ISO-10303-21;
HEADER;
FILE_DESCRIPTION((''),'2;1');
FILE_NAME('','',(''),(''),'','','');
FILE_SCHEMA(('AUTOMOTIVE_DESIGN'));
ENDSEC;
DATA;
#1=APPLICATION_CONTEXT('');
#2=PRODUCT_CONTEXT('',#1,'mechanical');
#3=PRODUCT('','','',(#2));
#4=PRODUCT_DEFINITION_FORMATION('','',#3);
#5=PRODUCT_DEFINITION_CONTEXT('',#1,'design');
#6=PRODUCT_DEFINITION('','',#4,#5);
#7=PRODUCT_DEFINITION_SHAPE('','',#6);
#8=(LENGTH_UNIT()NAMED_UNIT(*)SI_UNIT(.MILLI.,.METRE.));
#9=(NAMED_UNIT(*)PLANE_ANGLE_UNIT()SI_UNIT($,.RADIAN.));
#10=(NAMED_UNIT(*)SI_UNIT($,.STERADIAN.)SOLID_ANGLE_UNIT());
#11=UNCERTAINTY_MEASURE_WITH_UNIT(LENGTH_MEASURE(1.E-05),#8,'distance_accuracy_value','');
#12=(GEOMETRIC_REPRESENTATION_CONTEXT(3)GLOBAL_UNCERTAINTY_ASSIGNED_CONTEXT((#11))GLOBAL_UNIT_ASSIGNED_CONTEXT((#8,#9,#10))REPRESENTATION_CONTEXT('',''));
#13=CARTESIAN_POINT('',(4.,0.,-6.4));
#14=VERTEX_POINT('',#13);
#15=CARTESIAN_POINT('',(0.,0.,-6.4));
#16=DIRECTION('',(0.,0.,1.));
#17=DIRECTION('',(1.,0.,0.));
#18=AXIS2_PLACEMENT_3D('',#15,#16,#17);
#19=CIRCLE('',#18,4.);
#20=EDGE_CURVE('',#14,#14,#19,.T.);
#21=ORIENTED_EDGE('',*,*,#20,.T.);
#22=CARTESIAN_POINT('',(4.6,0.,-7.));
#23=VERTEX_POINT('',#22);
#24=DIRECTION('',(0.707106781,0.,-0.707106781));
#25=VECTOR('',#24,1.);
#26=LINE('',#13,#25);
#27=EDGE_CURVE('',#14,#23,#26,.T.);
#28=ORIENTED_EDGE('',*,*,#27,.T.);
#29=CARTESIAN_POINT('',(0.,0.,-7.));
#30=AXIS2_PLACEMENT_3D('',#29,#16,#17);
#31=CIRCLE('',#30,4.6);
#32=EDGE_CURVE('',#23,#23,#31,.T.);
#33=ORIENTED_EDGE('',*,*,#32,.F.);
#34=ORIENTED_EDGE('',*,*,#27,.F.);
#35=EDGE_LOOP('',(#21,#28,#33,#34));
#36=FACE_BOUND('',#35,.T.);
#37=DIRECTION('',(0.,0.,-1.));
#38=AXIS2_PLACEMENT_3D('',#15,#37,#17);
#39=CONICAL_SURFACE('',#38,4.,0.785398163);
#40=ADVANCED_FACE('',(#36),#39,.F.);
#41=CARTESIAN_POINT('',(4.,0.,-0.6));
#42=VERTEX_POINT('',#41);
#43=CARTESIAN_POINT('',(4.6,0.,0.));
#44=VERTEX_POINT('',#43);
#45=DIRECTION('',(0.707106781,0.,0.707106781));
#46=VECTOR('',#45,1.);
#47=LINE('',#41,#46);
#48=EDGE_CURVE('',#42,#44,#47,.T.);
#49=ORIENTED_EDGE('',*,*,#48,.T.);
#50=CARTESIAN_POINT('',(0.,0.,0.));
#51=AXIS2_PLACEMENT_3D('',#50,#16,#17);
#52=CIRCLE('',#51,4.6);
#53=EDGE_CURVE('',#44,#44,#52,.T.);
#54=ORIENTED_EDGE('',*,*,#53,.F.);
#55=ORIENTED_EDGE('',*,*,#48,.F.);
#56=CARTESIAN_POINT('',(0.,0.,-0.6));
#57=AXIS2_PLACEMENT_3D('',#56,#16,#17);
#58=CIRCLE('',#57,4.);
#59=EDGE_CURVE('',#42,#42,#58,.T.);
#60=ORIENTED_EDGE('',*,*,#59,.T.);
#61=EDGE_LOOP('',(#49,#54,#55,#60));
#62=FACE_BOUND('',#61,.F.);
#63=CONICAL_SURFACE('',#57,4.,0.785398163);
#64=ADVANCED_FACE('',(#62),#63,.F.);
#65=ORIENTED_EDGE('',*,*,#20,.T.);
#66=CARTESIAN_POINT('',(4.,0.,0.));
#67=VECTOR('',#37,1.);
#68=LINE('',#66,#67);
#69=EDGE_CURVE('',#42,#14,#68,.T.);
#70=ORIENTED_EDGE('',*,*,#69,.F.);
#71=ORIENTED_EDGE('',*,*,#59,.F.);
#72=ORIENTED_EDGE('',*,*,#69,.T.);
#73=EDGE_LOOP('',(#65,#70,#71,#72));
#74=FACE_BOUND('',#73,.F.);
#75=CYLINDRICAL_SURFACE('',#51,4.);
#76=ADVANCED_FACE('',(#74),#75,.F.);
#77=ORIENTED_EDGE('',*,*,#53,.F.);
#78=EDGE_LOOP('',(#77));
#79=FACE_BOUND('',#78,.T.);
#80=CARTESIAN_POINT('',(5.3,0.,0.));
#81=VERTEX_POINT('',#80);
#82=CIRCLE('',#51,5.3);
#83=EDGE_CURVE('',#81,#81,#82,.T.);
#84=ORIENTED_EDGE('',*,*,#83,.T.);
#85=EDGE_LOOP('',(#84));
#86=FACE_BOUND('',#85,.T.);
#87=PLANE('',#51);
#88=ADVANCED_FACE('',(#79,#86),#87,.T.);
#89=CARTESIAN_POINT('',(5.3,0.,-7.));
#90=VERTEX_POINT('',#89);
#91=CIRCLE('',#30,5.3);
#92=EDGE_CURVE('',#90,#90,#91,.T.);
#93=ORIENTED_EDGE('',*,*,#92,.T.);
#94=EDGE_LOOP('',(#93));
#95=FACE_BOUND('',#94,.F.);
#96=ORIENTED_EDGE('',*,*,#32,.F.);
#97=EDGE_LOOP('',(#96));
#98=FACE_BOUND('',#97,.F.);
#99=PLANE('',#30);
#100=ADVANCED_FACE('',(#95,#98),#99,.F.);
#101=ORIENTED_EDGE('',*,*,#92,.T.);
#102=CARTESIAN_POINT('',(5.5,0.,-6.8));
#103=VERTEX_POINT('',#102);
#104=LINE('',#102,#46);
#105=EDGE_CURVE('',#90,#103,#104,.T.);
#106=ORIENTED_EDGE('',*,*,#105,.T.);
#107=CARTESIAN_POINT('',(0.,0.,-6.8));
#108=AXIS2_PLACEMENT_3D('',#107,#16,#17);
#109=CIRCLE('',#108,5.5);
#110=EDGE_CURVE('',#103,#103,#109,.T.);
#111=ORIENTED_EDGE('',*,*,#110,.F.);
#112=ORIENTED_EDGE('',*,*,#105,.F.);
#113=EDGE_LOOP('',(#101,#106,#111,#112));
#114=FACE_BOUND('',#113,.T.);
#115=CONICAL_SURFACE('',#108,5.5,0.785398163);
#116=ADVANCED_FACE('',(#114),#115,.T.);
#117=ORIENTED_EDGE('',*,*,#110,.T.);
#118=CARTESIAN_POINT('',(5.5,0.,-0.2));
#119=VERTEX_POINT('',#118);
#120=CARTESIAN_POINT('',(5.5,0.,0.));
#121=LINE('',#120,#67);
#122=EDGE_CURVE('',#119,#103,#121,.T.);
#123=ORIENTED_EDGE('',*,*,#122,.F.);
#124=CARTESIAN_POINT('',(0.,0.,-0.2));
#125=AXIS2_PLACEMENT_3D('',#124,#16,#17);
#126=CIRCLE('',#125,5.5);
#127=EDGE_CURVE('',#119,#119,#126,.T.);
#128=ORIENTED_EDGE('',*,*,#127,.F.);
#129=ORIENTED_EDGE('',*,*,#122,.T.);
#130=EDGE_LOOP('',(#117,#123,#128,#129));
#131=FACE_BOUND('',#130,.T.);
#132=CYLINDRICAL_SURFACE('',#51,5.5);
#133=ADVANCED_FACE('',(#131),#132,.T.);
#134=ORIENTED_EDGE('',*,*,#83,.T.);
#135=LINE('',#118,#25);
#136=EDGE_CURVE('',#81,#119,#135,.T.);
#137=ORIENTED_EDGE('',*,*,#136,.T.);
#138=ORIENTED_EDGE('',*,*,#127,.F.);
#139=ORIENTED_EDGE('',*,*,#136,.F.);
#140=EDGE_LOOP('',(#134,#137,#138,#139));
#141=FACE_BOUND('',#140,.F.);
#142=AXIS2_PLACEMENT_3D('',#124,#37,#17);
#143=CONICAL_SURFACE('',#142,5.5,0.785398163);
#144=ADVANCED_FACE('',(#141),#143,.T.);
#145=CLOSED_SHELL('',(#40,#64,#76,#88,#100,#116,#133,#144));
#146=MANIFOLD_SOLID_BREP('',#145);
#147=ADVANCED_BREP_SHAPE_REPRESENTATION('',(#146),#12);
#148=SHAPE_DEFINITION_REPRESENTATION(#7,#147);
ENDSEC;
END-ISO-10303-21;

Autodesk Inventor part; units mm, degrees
ref_plane "YZ Plane" through (0, 0, 0) normal (1, 0, 0) x (0, 1, 0)
ref_plane "XZ Plane" through (0, 0, 0) normal (0, 1, 0) x (-1, 0, 0)
ref_plane "XY Plane" through (0, 0, 0) normal (0, 0, 1) x (1, 0, 0)
sketch "Sketch1" plane through (0, 0, 0) normal (0, 0, 1) x (1, 0, 0)
  circle A0 centre (0, 0) radius 5.5
  circle A1 centre (0, 0) radius 4
  dimension "d0" = 11
  dimension "d1" = 8
extrude "Extrusion1" add sketch "Sketch1" against normal blind 7
chamfer "Chamfer1" distance 0.6 angle 45 2 edges at (-4, 0, 0) (-4, 0, -7)
chamfer "Chamfer2" distance 0.2 angle 45 2 edges at (-5.5, 0, -7) (-5.5, 0, 0)
properties part number "608-inner"
